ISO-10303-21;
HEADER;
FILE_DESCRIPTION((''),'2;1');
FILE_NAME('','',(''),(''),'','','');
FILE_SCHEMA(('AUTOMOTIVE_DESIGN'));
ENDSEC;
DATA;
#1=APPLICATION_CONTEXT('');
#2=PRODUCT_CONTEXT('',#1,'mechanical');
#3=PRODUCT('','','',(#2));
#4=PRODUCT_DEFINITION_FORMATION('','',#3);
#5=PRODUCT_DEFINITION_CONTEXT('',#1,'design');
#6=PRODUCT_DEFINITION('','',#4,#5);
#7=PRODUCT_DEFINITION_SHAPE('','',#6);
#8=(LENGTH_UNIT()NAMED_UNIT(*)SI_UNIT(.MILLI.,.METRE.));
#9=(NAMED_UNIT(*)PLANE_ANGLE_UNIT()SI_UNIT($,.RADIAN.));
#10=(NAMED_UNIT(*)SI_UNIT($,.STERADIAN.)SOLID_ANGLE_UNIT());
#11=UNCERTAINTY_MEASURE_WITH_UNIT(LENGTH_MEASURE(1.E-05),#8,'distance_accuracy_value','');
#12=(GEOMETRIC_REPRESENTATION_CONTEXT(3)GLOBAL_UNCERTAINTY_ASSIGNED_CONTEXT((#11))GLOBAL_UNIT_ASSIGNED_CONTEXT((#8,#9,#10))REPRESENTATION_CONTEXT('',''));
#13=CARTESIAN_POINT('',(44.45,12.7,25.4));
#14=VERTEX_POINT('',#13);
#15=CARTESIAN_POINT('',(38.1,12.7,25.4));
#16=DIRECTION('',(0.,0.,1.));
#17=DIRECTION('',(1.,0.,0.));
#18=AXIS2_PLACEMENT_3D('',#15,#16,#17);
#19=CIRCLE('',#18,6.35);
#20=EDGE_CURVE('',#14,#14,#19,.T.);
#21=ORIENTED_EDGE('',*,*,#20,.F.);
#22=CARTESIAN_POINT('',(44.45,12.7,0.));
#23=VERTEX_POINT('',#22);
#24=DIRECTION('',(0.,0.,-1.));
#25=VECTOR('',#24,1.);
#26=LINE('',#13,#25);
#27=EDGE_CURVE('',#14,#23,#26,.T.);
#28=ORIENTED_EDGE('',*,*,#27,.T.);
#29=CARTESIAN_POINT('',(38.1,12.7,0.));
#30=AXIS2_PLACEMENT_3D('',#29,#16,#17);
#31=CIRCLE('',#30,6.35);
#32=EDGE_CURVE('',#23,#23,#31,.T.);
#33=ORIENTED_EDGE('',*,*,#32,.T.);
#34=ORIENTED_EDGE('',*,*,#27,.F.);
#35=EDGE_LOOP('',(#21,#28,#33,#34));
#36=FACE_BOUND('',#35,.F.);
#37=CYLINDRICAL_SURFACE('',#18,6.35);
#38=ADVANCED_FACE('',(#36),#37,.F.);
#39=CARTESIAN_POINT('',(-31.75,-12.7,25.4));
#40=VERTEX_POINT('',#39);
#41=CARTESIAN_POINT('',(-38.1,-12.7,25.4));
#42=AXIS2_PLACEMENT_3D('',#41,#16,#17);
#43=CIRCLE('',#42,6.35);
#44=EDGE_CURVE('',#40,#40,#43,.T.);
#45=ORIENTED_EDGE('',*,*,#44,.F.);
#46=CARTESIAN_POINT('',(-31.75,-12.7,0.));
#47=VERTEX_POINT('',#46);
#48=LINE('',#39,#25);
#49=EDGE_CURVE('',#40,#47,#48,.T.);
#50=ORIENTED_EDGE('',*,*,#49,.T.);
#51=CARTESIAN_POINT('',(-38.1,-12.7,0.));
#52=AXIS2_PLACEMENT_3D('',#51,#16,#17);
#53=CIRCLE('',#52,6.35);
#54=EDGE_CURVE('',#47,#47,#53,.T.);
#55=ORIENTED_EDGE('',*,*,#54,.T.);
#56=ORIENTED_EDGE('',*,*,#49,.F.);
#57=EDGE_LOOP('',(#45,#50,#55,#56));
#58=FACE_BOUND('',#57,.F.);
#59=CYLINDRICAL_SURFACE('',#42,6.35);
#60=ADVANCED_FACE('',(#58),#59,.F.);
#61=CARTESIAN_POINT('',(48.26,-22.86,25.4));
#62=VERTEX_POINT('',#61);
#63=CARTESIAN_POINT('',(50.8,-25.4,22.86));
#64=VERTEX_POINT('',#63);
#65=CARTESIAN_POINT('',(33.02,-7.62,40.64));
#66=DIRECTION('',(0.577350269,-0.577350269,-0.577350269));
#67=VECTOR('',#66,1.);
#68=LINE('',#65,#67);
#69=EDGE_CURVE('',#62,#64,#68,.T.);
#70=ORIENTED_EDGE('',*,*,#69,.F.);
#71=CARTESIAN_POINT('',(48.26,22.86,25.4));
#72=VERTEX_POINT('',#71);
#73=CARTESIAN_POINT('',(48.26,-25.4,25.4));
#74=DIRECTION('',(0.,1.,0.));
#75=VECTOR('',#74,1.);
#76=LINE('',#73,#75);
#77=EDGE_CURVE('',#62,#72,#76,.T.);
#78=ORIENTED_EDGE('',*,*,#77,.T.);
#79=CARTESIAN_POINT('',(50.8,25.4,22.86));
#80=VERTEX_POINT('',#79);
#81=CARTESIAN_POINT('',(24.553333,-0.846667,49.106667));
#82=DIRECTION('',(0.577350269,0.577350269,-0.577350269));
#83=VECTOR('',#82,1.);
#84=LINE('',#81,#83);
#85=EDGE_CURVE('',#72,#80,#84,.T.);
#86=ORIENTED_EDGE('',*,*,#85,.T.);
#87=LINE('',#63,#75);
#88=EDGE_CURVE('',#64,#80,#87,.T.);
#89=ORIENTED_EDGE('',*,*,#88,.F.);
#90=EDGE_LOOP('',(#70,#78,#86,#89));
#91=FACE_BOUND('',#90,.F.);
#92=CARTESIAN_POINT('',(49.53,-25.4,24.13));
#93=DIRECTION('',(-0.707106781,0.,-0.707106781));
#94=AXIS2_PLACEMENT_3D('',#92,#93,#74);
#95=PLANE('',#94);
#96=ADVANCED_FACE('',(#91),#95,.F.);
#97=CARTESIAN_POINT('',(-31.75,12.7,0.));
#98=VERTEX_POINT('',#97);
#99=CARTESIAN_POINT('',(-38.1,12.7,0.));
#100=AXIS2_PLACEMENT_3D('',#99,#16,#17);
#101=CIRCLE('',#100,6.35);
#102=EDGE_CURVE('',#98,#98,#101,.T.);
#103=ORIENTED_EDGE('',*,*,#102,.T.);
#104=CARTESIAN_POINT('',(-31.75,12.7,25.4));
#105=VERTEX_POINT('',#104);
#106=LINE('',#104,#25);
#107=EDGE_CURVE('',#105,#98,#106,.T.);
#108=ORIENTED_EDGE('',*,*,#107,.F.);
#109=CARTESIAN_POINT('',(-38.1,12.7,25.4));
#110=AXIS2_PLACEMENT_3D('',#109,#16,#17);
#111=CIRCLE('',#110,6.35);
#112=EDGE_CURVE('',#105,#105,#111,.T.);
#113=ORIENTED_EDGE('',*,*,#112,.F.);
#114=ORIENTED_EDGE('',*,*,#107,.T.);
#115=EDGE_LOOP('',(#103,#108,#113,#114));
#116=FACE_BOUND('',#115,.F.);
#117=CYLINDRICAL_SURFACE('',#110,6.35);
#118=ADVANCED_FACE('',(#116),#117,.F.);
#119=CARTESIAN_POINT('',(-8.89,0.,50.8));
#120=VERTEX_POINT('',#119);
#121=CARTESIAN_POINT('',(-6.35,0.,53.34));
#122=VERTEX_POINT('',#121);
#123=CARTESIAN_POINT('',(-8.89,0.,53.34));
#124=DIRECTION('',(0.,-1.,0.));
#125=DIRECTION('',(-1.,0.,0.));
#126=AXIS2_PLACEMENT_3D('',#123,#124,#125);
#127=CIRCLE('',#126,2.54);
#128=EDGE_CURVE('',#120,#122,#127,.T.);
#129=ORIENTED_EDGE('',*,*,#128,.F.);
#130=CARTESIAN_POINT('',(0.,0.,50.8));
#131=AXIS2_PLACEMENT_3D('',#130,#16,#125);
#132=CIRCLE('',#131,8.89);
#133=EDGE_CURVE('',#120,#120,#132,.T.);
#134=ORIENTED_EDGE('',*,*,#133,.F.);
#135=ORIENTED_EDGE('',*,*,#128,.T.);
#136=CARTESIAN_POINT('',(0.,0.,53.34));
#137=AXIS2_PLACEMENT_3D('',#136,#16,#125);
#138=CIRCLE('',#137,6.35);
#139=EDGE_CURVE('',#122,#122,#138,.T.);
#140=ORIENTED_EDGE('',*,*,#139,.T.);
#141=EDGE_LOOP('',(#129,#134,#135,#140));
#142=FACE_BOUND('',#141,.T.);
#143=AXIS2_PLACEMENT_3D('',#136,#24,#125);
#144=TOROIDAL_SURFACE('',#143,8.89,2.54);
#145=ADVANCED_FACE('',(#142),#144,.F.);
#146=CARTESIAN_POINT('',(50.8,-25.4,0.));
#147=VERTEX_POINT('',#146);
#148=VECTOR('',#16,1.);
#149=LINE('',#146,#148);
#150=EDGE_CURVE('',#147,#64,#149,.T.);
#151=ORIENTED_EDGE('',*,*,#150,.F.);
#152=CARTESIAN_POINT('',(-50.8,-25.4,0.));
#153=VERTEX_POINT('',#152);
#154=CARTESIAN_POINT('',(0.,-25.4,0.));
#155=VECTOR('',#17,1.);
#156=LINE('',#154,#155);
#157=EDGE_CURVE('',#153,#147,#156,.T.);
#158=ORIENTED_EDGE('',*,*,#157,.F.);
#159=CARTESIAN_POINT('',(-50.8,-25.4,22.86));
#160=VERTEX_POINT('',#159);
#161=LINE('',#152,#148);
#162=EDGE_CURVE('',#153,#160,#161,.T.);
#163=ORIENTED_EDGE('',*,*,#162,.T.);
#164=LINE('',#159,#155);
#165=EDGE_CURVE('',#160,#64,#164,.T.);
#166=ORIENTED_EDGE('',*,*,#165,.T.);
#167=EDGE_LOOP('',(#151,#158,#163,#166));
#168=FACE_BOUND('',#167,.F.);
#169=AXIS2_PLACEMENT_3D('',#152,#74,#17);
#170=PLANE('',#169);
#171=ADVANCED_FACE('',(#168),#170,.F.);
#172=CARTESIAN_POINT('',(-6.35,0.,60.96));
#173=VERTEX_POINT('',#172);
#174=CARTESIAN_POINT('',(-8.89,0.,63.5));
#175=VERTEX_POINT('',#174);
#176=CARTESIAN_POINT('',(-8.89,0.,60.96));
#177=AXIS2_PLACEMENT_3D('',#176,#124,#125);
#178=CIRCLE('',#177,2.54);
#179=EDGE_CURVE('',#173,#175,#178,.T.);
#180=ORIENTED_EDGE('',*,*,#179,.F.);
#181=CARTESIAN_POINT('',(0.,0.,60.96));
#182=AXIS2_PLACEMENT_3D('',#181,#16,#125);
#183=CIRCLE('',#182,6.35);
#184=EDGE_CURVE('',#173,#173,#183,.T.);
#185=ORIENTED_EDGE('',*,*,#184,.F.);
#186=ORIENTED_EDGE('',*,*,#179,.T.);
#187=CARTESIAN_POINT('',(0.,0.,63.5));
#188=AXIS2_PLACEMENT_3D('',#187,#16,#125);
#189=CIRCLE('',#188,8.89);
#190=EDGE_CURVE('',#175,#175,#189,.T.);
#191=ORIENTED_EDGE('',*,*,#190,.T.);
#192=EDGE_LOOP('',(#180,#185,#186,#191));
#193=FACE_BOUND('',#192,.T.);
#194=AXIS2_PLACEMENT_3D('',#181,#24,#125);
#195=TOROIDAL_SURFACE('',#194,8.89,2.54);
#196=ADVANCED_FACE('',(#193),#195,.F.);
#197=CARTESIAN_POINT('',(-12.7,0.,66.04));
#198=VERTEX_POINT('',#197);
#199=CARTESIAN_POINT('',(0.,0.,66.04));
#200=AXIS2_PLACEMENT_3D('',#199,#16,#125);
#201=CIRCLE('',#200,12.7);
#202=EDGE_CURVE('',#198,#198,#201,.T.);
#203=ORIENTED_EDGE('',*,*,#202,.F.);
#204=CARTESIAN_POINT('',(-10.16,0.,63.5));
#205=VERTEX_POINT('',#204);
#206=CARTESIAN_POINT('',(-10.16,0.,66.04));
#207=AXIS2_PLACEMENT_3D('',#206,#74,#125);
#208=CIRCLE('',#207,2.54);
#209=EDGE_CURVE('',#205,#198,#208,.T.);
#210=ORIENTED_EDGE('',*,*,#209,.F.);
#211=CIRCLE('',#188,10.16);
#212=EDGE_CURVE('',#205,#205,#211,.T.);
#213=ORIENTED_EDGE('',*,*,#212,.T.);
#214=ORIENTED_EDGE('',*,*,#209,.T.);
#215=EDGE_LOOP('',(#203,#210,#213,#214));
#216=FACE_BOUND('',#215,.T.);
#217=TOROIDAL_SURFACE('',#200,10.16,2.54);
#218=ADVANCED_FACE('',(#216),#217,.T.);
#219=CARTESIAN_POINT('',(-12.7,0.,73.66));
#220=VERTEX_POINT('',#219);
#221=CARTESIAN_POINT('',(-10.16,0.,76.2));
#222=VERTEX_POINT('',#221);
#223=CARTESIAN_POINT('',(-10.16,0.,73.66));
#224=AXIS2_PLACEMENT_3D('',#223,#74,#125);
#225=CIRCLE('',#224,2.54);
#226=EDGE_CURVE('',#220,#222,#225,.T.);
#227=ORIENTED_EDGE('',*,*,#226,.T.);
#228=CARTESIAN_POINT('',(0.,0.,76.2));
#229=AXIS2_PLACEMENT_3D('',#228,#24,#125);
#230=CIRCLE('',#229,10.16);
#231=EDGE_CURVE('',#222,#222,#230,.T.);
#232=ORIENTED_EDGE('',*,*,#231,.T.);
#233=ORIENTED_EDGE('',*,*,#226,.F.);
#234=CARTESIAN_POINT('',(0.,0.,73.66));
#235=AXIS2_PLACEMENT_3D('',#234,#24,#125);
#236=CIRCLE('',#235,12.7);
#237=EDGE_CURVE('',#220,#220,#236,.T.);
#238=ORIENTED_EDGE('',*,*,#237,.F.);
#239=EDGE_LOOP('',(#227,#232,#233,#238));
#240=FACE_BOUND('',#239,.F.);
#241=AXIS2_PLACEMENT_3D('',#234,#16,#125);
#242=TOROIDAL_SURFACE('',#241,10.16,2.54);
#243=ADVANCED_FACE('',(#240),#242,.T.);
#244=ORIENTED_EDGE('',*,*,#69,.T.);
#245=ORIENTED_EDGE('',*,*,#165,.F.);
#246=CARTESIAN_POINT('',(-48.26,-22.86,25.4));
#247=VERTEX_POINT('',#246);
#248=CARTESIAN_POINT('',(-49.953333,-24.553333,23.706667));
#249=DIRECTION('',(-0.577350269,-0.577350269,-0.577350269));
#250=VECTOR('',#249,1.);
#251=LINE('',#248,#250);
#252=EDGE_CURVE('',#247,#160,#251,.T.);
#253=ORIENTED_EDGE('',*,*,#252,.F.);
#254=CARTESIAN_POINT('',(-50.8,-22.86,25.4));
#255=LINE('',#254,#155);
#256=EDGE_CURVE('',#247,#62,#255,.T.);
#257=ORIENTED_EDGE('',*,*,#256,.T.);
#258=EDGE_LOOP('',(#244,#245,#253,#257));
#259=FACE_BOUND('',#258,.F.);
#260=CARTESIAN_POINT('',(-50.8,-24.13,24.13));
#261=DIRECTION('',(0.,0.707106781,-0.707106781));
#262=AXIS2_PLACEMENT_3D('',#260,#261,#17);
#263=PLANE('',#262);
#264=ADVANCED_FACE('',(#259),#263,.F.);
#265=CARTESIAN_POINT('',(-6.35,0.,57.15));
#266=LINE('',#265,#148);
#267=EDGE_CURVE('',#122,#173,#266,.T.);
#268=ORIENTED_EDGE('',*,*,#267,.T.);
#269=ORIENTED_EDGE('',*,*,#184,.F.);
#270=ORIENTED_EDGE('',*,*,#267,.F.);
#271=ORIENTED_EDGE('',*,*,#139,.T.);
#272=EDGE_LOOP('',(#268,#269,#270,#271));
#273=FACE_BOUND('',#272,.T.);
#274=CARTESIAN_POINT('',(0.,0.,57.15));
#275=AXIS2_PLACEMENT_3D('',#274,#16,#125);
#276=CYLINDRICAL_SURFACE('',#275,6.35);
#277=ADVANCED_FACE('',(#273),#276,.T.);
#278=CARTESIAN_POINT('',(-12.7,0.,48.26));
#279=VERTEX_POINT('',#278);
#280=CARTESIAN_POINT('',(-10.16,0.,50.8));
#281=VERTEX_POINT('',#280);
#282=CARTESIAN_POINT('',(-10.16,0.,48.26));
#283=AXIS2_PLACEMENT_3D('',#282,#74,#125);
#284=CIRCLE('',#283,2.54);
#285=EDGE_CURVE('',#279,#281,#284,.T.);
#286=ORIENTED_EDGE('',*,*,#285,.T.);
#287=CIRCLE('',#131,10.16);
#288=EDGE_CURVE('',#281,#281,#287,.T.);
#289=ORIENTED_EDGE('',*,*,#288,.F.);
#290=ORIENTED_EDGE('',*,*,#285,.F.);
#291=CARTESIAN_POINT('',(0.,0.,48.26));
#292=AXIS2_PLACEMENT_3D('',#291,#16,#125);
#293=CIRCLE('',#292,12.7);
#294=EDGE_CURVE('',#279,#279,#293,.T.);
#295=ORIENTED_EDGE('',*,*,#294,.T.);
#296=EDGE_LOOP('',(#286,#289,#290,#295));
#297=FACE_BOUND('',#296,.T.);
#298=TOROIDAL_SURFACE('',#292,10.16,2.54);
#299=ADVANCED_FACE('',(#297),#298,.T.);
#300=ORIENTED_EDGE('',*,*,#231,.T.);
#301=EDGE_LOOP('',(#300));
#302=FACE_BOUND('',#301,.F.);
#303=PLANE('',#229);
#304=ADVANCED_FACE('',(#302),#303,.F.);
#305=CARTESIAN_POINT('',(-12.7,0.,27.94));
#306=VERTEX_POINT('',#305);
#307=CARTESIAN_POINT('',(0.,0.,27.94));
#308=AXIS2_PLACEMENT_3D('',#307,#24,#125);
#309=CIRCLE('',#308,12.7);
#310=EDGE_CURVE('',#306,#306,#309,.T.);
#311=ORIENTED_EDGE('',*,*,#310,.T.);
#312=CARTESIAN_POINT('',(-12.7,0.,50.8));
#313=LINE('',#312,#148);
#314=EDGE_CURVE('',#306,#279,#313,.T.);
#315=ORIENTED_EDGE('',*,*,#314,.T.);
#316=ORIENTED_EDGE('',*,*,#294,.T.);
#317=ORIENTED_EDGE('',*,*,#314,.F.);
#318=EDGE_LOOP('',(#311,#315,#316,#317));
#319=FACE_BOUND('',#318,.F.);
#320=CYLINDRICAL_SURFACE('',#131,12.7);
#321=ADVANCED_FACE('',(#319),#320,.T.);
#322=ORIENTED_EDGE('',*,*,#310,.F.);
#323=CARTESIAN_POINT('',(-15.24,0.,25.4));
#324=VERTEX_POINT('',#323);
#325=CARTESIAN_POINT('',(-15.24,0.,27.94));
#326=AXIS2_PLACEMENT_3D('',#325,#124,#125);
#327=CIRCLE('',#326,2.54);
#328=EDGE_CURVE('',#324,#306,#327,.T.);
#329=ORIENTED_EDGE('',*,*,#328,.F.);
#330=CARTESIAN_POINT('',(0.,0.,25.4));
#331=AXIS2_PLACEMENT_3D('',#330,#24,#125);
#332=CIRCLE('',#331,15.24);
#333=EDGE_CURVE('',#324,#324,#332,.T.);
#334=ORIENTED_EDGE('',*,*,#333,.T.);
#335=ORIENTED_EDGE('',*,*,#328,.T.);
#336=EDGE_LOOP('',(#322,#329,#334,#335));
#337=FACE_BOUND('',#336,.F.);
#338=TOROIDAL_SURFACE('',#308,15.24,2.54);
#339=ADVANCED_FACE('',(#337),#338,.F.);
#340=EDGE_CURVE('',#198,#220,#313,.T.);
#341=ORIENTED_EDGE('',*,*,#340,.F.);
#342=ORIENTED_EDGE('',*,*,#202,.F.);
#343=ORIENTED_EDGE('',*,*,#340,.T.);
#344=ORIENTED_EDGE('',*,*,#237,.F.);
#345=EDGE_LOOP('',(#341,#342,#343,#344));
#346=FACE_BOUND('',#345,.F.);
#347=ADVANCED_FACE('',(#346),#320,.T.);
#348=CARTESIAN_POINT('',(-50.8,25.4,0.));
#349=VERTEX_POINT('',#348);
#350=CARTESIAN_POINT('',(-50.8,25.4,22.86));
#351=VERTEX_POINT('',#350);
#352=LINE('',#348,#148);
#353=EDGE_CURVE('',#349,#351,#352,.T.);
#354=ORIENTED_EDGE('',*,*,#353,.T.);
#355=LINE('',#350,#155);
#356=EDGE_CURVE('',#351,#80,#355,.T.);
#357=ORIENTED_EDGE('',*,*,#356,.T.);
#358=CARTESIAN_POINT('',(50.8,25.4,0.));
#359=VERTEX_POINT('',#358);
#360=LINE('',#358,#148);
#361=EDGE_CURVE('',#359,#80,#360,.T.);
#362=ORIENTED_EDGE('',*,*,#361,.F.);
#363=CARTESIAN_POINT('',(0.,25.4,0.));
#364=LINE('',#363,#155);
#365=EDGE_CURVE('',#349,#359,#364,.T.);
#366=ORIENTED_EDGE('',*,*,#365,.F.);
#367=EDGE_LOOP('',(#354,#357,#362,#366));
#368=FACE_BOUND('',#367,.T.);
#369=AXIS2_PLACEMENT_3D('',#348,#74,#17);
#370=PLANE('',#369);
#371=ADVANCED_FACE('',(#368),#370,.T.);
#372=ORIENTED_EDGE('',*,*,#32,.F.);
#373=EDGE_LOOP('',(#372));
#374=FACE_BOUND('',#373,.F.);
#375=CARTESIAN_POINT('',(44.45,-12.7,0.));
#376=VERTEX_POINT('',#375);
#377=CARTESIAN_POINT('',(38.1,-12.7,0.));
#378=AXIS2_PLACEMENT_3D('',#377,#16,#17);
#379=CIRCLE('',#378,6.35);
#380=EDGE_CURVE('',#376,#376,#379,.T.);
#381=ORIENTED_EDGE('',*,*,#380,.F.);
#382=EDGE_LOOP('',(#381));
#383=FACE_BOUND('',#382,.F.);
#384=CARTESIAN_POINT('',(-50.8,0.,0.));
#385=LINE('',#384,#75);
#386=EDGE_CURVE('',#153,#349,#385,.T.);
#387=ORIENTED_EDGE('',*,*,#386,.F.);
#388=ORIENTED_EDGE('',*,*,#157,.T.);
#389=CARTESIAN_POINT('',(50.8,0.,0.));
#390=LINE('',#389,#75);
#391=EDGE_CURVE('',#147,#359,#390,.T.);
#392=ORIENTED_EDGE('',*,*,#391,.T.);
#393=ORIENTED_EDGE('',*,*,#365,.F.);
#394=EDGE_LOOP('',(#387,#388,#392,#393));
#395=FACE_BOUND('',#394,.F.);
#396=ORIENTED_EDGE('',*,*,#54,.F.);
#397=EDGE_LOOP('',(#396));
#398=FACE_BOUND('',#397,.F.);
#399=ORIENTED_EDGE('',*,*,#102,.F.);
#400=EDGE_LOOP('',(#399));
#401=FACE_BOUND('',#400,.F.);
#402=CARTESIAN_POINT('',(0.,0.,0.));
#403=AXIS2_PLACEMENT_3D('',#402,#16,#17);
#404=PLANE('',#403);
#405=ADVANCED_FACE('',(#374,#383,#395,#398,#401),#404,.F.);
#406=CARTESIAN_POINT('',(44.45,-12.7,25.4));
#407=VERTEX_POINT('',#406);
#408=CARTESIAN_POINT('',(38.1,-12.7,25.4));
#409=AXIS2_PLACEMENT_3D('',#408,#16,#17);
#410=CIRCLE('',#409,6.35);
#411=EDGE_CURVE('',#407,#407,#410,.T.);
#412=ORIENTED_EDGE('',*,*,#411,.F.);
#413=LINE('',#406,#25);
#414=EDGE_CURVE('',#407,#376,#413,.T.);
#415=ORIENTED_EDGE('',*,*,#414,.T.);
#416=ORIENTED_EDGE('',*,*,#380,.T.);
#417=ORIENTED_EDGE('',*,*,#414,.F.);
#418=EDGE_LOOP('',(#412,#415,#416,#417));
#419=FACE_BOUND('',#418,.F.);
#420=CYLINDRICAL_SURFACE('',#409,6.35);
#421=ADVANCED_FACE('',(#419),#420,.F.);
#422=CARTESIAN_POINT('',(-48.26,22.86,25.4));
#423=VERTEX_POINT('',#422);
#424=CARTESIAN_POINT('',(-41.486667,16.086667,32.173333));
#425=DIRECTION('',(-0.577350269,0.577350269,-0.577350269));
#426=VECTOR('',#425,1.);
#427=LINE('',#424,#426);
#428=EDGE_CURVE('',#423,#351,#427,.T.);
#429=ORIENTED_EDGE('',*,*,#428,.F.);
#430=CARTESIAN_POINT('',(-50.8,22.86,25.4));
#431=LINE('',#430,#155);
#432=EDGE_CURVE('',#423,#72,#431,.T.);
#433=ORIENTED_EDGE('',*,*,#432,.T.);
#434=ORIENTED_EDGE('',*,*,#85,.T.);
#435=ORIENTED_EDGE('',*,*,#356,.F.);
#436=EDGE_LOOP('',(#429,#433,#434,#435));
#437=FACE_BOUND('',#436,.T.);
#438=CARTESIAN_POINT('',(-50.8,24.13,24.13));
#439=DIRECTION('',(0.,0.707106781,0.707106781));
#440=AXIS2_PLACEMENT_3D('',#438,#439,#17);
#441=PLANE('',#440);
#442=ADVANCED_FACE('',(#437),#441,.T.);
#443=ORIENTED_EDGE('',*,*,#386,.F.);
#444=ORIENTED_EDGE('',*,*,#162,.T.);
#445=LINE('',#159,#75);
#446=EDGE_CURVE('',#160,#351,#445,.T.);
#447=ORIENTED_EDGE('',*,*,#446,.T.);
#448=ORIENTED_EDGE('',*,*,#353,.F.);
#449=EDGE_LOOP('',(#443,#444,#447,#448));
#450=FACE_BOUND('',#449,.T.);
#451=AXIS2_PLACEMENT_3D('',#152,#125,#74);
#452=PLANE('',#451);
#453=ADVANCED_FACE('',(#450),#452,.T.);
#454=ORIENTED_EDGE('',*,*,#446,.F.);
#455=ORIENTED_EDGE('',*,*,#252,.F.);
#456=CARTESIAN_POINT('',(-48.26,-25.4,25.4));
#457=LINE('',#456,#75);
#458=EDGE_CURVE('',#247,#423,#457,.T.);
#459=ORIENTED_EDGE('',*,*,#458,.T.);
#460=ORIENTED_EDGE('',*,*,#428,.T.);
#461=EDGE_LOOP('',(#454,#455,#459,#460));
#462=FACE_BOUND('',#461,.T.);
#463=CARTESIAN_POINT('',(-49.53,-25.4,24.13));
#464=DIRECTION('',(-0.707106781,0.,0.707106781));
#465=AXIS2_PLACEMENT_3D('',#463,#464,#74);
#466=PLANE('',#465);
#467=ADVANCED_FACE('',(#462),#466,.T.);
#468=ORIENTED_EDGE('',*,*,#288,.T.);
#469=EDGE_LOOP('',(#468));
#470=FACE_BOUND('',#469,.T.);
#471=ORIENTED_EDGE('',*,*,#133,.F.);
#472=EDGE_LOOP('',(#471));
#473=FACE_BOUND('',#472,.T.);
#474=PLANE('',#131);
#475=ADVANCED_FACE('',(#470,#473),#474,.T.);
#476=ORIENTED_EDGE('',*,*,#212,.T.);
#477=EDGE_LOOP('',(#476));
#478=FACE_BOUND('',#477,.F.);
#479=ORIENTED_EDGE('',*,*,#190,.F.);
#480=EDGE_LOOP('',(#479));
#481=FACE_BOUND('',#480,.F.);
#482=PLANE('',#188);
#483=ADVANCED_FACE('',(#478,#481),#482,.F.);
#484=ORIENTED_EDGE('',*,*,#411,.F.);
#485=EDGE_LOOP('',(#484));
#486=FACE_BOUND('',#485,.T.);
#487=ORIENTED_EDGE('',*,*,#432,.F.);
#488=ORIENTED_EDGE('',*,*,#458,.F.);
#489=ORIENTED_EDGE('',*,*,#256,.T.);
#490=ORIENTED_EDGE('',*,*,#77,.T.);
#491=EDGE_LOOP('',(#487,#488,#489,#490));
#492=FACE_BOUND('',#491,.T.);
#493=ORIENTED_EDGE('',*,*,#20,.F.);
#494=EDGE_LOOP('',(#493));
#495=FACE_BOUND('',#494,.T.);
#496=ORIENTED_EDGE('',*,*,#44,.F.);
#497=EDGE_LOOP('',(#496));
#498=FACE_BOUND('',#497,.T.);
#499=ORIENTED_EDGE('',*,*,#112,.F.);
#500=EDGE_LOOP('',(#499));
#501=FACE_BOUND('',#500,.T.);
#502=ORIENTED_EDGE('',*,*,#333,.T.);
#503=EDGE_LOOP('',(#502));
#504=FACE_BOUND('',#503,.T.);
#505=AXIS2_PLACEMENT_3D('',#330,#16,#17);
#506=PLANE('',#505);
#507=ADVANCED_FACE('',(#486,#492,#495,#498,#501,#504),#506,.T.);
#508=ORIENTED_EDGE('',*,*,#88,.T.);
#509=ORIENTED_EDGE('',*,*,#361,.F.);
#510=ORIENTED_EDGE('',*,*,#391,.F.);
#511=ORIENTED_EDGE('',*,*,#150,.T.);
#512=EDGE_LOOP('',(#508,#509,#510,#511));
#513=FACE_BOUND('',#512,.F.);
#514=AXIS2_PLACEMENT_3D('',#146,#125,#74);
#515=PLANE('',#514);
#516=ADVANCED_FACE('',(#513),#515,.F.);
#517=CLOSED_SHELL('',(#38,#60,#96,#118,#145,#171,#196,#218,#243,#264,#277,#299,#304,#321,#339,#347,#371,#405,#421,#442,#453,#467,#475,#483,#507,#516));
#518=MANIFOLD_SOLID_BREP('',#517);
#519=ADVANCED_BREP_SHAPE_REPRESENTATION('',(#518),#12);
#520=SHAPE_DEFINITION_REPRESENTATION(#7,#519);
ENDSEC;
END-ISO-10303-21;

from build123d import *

# Parameters (mm, degrees)
F0_W     = 101.6
F0_H     = 50.8
F1_DEPTH = 25.4
F3_W     = 12.7
F3_H     = 50.8
F2_R     = 6.35
F5_DEPTH = 25.401
F6_W     = 8.9197083833
F6_H     = 12.7
F8_R     = 2.54
F9_SIZE  = 2.54


with BuildPart() as f1:
    # F0 (on Top) → F1 (new body)
    with BuildSketch(Plane.XY):
        Rectangle(F0_W, F0_H)
    extrude(amount=F1_DEPTH)

    # F3 (on Front) → F4 (revolve)
    with BuildSketch(Plane.XZ):
        with Locations((-6.35, 50.8)):
            Rectangle(F3_W, F3_H)
    revolve(axis=Axis((0, 0, 50.8), (0, 0, -1)))

    # F2 (on face) → F5 (cut, through all)
    with BuildSketch(Plane.XY.offset(25.4)):
        with Locations((38.1, -12.7)):
            Circle(F2_R)
        with Locations((-38.1, 12.7)):
            Circle(F2_R)
        with Locations((38.1, 12.7)):
            Circle(F2_R)
        with Locations((-38.1, -12.7)):
            Circle(F2_R)
    extrude(amount=-F5_DEPTH, mode=Mode.SUBTRACT)

    # F6 (on Front) → F7 (revolve, cut)
    with BuildSketch(Plane.XZ):
        with Locations((-10.8098541917, 57.15)):
            Rectangle(F6_W, F6_H)
    revolve(axis=Axis((0, 0, 43.5192137957), (0, 0, 1)), mode=Mode.SUBTRACT)

    # F8
    f8_edges = [f1.edges().sort_by_distance(p)[0] for p in [
        (12.7, 0, 50.8),
        (12.7, 0, 25.4),
        (6.35, 0, 50.8),
        (6.35, 0, 63.5),
        (12.7, 0, 63.5),
        (12.7, 0, 76.2),
    ]]
    fillet(f8_edges, radius=F8_R)

    # F9
    f9_edges = [f1.edges().sort_by_distance(p)[0] for p in [
        (0, -25.4, 25.4),
        (-50.8, 0, 25.4),
        (0, 25.4, 25.4),
        (50.8, 0, 25.4),
    ]]
    chamfer(f9_edges, length=F9_SIZE)


solid = f1.part
